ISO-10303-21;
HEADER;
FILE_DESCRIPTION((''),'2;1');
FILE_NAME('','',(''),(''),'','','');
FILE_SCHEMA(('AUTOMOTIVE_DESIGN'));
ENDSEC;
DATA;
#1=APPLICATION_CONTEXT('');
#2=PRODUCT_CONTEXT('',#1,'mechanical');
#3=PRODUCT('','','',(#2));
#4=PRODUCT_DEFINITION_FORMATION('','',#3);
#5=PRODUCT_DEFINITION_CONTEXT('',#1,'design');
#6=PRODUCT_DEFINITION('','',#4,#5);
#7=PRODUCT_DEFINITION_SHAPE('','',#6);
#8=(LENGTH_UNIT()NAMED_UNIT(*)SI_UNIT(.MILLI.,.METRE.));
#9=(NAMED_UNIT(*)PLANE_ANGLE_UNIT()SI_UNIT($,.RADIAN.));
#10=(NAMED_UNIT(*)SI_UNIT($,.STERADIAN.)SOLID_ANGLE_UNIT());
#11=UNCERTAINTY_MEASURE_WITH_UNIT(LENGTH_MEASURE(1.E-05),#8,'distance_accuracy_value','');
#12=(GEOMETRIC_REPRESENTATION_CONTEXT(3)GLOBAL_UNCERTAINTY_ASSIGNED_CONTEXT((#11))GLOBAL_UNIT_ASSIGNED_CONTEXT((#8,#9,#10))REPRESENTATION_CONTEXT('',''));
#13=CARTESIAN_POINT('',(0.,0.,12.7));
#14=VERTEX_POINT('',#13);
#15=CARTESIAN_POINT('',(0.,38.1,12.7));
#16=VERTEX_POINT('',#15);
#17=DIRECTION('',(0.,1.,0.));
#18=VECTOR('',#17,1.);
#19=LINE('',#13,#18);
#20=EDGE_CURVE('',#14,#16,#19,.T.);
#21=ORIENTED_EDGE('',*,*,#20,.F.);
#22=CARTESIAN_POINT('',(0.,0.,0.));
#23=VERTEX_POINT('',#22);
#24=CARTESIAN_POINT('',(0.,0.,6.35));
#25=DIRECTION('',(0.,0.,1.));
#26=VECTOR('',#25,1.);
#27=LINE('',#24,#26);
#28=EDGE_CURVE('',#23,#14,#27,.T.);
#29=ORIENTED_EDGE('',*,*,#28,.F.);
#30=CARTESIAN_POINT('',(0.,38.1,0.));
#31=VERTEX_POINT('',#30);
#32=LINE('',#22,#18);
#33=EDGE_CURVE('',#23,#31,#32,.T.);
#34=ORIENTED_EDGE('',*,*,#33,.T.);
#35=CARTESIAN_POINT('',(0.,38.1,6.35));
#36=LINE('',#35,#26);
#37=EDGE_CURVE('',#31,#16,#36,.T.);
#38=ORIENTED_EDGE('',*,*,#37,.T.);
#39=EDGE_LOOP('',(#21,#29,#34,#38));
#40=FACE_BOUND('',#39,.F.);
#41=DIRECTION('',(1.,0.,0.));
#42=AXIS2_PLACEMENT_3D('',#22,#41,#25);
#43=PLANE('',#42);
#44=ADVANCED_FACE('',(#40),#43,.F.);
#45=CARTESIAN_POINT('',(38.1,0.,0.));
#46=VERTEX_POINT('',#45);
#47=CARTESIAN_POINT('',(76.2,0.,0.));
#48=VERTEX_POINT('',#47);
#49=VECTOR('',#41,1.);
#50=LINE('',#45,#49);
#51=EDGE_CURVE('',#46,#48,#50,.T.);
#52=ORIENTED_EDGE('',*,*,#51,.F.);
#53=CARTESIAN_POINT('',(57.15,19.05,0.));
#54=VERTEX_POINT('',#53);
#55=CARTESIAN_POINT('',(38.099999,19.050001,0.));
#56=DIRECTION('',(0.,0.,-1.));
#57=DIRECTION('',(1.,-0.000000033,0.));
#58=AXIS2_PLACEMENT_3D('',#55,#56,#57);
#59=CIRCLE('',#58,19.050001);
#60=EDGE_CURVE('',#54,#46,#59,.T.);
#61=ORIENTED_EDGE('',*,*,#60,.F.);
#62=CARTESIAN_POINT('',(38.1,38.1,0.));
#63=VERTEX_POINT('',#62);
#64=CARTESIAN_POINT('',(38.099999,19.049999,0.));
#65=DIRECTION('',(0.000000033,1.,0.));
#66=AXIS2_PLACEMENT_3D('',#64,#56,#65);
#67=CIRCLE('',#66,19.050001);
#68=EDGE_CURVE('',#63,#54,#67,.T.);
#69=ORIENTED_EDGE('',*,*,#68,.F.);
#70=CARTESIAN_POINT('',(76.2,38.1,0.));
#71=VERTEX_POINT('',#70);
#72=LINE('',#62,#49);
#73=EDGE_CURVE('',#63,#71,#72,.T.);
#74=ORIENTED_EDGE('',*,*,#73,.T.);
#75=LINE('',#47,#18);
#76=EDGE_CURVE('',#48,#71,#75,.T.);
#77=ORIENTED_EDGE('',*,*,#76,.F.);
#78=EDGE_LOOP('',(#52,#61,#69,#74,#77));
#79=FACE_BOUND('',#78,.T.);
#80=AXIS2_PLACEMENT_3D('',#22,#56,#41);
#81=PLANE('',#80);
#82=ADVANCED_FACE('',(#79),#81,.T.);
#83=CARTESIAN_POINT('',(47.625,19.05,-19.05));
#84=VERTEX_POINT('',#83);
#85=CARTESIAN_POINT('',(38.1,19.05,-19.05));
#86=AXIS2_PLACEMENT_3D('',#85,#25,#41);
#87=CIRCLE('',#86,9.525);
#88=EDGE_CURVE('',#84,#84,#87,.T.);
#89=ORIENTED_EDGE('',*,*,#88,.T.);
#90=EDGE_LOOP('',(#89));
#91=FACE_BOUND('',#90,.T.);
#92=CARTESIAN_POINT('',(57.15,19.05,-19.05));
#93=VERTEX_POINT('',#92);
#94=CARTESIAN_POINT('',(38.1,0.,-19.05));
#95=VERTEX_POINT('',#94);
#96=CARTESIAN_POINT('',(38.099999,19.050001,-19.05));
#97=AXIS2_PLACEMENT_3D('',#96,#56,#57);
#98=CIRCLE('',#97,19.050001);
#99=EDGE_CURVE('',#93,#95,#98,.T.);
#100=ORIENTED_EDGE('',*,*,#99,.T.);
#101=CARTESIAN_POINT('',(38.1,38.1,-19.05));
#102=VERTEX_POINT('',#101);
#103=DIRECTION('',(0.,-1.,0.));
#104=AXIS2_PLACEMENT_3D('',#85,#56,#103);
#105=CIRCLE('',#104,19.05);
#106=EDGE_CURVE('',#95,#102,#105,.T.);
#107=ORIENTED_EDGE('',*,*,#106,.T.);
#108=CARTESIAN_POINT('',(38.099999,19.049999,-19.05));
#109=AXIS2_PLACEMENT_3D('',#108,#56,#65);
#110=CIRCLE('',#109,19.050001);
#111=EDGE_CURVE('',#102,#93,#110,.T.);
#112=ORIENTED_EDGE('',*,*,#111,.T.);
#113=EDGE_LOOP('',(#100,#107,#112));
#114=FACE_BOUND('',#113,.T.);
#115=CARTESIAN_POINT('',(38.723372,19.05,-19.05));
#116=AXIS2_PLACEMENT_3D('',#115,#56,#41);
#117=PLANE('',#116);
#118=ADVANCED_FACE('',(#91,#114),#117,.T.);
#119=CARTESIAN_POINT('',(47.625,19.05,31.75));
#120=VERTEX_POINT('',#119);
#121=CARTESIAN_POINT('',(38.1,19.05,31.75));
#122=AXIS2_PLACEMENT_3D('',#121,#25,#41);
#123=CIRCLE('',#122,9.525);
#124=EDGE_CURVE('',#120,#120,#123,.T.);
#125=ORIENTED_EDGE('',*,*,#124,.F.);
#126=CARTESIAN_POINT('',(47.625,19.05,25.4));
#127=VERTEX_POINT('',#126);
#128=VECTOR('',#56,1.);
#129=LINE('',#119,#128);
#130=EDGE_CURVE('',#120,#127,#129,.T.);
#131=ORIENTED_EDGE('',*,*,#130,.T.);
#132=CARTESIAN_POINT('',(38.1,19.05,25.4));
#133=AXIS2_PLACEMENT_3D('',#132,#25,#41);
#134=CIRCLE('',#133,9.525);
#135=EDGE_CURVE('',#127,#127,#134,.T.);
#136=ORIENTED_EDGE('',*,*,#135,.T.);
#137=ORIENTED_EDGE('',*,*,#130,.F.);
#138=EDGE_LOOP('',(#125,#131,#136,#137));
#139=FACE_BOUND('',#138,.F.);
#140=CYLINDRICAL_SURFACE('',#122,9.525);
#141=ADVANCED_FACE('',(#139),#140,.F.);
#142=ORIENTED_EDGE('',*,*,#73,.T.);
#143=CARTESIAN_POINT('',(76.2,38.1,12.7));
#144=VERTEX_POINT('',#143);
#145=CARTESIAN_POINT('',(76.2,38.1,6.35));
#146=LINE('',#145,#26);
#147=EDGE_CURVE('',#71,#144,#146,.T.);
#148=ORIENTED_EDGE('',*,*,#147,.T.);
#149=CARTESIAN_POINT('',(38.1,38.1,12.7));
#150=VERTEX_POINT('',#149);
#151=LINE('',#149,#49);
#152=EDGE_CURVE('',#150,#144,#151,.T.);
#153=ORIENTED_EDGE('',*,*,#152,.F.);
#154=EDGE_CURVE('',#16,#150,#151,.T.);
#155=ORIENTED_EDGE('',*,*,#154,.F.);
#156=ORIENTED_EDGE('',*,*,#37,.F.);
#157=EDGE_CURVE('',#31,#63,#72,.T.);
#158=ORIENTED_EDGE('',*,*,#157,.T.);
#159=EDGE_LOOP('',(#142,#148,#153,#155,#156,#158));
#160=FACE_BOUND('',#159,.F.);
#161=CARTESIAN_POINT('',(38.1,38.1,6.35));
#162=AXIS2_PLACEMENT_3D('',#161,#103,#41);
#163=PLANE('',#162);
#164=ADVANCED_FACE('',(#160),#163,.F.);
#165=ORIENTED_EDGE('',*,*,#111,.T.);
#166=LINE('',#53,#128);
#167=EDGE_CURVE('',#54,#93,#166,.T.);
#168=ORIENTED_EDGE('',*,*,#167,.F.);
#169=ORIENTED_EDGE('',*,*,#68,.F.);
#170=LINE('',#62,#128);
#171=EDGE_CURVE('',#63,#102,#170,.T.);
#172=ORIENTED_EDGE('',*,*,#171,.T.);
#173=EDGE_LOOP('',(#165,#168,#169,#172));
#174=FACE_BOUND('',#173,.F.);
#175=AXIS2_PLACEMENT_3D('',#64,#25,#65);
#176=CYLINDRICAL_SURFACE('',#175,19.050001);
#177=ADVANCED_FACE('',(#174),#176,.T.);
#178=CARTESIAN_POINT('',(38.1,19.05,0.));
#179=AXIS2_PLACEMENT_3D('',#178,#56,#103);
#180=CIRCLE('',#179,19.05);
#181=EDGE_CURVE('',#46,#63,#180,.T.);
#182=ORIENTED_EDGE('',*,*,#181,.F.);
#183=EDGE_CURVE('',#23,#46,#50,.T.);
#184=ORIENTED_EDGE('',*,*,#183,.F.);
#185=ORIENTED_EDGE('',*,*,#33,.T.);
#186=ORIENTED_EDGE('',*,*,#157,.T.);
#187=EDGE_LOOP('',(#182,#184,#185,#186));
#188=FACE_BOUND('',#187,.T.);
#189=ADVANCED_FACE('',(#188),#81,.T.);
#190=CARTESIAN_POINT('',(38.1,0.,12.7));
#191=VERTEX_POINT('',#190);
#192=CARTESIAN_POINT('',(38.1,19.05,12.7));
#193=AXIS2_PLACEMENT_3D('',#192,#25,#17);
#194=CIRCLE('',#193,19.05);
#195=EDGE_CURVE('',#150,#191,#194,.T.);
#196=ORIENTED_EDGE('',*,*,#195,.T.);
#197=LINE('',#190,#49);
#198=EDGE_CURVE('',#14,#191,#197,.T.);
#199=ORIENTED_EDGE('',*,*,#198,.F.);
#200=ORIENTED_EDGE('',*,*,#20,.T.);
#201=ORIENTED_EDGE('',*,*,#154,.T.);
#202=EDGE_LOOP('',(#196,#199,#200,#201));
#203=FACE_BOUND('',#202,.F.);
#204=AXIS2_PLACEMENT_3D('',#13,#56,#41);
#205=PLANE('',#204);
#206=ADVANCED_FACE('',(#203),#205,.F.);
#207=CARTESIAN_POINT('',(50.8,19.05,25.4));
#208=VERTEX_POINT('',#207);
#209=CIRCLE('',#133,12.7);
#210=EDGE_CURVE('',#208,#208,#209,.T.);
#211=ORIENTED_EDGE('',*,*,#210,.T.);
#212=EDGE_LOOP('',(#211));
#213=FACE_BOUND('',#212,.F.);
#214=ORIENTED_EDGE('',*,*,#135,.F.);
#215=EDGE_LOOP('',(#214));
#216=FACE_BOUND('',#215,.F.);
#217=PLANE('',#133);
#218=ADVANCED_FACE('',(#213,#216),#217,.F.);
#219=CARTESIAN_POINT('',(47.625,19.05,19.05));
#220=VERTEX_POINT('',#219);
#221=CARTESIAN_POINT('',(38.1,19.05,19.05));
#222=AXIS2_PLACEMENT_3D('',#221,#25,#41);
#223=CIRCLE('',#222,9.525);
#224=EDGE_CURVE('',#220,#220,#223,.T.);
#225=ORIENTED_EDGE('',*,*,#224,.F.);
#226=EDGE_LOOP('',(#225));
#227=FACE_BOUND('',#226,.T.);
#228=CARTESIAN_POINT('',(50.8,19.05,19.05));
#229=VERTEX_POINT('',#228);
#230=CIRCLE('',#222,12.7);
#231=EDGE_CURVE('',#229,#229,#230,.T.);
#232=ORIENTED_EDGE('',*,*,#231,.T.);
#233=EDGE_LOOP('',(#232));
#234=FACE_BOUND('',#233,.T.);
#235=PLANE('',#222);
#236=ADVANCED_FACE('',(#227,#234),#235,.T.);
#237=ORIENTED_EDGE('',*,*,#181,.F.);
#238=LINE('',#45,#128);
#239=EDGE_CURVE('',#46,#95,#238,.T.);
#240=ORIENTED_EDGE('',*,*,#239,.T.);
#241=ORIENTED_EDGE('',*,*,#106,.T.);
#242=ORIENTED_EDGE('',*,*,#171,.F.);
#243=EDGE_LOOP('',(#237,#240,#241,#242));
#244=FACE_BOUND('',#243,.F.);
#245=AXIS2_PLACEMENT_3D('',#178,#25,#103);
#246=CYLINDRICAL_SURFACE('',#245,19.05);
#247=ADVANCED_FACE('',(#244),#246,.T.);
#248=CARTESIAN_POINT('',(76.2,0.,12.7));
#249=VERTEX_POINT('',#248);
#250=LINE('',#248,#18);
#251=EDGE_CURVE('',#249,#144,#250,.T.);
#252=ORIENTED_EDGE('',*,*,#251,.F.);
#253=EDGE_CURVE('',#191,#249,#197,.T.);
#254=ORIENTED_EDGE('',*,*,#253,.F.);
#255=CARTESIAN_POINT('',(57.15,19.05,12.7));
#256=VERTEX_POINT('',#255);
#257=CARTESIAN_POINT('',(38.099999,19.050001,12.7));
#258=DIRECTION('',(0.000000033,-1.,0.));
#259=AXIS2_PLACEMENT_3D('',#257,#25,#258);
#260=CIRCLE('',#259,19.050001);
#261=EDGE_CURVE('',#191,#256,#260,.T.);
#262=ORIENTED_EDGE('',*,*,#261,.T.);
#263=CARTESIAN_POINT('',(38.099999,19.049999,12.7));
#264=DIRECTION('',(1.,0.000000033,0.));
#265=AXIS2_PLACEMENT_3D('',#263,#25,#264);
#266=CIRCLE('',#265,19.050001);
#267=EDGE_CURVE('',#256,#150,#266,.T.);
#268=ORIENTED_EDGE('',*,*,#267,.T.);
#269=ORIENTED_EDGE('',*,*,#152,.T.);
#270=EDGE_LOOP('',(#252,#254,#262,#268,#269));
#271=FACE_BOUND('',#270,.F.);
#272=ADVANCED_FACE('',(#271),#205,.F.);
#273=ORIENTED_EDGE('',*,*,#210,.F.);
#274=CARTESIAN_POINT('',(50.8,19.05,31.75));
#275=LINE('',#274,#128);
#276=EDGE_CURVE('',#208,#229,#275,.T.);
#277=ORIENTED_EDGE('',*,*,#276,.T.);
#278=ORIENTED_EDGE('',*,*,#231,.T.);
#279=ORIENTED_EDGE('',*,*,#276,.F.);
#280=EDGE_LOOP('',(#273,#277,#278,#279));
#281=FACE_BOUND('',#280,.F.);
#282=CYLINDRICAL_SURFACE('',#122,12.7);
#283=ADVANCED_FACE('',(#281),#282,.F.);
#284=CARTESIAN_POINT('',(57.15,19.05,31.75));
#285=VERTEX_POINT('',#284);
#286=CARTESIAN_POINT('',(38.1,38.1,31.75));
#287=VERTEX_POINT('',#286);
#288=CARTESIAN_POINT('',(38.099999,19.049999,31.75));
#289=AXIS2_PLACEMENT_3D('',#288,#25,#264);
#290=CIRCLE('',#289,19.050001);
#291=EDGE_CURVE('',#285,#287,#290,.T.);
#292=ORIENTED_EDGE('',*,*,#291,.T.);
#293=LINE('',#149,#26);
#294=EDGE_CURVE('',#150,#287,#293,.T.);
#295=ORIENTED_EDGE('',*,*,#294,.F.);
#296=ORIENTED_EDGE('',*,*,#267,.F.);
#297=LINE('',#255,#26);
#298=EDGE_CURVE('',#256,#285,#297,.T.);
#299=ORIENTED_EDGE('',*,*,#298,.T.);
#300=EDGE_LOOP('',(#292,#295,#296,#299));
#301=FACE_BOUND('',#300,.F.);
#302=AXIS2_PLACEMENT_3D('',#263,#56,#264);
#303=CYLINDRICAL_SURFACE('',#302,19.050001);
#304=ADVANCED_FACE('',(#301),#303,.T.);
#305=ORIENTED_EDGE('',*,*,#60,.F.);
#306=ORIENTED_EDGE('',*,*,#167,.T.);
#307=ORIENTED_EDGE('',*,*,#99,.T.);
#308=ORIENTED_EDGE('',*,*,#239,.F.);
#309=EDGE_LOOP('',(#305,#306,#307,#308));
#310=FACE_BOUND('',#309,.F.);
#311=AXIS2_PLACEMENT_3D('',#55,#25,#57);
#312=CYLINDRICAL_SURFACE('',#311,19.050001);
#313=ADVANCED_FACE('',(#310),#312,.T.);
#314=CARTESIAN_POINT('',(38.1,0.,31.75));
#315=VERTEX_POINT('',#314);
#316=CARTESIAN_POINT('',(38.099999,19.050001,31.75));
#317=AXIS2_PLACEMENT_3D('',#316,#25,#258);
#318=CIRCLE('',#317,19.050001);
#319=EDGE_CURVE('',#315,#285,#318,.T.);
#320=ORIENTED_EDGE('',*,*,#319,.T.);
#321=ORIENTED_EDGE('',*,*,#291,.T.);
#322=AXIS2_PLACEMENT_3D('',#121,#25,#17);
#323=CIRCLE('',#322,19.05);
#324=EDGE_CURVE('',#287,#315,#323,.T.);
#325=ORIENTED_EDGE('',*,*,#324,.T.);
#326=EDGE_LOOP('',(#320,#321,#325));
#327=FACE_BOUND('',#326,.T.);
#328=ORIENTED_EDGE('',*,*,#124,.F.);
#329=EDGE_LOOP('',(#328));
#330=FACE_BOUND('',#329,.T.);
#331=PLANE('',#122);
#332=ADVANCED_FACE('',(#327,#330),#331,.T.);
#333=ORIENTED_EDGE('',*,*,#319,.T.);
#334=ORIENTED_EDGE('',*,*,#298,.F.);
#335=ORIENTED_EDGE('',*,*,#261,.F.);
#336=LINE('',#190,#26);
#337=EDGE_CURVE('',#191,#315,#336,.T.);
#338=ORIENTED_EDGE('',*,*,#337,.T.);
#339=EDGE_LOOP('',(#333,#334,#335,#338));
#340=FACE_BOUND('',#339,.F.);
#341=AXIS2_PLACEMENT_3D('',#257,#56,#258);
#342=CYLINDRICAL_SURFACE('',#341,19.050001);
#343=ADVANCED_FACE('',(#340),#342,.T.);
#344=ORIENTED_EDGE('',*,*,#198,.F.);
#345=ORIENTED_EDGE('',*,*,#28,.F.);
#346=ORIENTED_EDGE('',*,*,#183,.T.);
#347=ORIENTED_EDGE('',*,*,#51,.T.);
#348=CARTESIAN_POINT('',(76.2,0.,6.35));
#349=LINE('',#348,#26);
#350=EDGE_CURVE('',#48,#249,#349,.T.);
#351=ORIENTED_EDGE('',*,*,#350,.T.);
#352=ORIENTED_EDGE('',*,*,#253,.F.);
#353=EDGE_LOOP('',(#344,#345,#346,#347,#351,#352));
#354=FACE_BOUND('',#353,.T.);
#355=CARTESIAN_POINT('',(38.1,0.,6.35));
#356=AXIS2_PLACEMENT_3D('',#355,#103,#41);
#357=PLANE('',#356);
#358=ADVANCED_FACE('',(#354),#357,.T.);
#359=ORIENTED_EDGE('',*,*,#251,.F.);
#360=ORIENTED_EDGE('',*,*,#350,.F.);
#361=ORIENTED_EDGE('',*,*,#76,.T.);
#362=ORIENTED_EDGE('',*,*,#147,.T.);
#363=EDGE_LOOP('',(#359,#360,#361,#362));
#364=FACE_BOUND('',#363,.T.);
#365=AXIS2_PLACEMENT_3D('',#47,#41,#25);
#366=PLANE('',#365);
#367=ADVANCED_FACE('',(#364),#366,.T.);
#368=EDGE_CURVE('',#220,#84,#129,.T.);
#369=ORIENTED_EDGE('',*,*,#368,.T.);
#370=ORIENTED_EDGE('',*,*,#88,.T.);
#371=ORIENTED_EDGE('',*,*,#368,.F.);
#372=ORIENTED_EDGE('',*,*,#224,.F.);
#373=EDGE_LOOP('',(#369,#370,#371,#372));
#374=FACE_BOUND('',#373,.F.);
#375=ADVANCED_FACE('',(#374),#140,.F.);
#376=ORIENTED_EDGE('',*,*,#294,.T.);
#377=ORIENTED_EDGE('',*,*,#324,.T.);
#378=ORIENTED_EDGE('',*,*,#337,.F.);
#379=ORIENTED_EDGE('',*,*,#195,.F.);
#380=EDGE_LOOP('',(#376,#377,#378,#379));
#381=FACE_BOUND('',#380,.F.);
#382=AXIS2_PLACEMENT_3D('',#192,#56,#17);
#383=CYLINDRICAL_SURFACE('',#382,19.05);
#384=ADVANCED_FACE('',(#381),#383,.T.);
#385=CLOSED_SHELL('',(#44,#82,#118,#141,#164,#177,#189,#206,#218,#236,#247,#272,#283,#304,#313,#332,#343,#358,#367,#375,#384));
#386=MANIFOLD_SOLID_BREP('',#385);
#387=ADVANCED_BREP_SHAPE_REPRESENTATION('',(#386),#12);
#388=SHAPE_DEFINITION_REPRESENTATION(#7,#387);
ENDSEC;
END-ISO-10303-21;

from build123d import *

# Parameters (mm, degrees)
F0_W      = 76.2
F0_H      = 12.7
F1_DEPTH  = 38.1
F4_DEPTH  = 19.05
F5_DEPTH  = 19.05
F6_R      = 9.525
F7_DEPTH  = 127
F8_R      = 12.7
F9_DEPTH  = 12.7
F10_R     = 12.7
F10_R_2   = 9.525
F11_DEPTH = 6.35


with BuildPart() as f1:
    # F0 (on Front) → F1 (new body)
    with BuildSketch(Plane.XZ):
        with Locations((38.1, 6.35)):
            Rectangle(F0_W, F0_H)
    extrude(amount=-F1_DEPTH)

    # F2 (on face) → F4 (join)
    with BuildSketch(Plane.XY.offset(12.7)):
        with BuildLine():
            ThreePointArc((38.1, 0), (51.570384, 5.579616), (57.15, 19.05))
            ThreePointArc((57.15, 19.05), (51.570384, 32.520384), (38.1, 38.1))
            ThreePointArc((38.1, 38.1), (19.05, 19.05), (38.1, 0))
        make_face()
    extrude(amount=F4_DEPTH)

    # F3 (on face) → F5 (join)
    with BuildSketch(Plane(origin=(0, 0, 0), x_dir=(1, 0, 0), z_dir=(0, 0, -1))):
        with BuildLine():
            ThreePointArc((38.1, -38.1), (51.570384, -32.520384), (57.15, -19.05))
            ThreePointArc((57.15, -19.05), (51.570384, -5.579616), (38.1, 0))
            ThreePointArc((38.1, 0), (19.05, -19.05), (38.1, -38.1))
        make_face()
    extrude(amount=F5_DEPTH)

    # F6 (on face) → F7 (cut)
    with BuildSketch(Plane.XY.offset(31.75)):
        with Locations((38.1, 19.05)):
            Circle(F6_R)
    extrude(amount=-F7_DEPTH, mode=Mode.SUBTRACT)

    # F8 (on face) → F9 (cut)
    with BuildSketch(Plane.XY.offset(31.75)):
        with Locations((38.1, 19.05)):
            Circle(F8_R)
    extrude(amount=-F9_DEPTH, mode=Mode.SUBTRACT)

    # F10 (on face) → F11 (join)
    with BuildSketch(Plane.XY.offset(31.75)):
        with Locations((38.1, 19.05)):
            Circle(F10_R)
        with Locations((38.1, 19.05)):
            Circle(F10_R_2, mode=Mode.SUBTRACT)
    extrude(amount=-F11_DEPTH)


solid = f1.part
